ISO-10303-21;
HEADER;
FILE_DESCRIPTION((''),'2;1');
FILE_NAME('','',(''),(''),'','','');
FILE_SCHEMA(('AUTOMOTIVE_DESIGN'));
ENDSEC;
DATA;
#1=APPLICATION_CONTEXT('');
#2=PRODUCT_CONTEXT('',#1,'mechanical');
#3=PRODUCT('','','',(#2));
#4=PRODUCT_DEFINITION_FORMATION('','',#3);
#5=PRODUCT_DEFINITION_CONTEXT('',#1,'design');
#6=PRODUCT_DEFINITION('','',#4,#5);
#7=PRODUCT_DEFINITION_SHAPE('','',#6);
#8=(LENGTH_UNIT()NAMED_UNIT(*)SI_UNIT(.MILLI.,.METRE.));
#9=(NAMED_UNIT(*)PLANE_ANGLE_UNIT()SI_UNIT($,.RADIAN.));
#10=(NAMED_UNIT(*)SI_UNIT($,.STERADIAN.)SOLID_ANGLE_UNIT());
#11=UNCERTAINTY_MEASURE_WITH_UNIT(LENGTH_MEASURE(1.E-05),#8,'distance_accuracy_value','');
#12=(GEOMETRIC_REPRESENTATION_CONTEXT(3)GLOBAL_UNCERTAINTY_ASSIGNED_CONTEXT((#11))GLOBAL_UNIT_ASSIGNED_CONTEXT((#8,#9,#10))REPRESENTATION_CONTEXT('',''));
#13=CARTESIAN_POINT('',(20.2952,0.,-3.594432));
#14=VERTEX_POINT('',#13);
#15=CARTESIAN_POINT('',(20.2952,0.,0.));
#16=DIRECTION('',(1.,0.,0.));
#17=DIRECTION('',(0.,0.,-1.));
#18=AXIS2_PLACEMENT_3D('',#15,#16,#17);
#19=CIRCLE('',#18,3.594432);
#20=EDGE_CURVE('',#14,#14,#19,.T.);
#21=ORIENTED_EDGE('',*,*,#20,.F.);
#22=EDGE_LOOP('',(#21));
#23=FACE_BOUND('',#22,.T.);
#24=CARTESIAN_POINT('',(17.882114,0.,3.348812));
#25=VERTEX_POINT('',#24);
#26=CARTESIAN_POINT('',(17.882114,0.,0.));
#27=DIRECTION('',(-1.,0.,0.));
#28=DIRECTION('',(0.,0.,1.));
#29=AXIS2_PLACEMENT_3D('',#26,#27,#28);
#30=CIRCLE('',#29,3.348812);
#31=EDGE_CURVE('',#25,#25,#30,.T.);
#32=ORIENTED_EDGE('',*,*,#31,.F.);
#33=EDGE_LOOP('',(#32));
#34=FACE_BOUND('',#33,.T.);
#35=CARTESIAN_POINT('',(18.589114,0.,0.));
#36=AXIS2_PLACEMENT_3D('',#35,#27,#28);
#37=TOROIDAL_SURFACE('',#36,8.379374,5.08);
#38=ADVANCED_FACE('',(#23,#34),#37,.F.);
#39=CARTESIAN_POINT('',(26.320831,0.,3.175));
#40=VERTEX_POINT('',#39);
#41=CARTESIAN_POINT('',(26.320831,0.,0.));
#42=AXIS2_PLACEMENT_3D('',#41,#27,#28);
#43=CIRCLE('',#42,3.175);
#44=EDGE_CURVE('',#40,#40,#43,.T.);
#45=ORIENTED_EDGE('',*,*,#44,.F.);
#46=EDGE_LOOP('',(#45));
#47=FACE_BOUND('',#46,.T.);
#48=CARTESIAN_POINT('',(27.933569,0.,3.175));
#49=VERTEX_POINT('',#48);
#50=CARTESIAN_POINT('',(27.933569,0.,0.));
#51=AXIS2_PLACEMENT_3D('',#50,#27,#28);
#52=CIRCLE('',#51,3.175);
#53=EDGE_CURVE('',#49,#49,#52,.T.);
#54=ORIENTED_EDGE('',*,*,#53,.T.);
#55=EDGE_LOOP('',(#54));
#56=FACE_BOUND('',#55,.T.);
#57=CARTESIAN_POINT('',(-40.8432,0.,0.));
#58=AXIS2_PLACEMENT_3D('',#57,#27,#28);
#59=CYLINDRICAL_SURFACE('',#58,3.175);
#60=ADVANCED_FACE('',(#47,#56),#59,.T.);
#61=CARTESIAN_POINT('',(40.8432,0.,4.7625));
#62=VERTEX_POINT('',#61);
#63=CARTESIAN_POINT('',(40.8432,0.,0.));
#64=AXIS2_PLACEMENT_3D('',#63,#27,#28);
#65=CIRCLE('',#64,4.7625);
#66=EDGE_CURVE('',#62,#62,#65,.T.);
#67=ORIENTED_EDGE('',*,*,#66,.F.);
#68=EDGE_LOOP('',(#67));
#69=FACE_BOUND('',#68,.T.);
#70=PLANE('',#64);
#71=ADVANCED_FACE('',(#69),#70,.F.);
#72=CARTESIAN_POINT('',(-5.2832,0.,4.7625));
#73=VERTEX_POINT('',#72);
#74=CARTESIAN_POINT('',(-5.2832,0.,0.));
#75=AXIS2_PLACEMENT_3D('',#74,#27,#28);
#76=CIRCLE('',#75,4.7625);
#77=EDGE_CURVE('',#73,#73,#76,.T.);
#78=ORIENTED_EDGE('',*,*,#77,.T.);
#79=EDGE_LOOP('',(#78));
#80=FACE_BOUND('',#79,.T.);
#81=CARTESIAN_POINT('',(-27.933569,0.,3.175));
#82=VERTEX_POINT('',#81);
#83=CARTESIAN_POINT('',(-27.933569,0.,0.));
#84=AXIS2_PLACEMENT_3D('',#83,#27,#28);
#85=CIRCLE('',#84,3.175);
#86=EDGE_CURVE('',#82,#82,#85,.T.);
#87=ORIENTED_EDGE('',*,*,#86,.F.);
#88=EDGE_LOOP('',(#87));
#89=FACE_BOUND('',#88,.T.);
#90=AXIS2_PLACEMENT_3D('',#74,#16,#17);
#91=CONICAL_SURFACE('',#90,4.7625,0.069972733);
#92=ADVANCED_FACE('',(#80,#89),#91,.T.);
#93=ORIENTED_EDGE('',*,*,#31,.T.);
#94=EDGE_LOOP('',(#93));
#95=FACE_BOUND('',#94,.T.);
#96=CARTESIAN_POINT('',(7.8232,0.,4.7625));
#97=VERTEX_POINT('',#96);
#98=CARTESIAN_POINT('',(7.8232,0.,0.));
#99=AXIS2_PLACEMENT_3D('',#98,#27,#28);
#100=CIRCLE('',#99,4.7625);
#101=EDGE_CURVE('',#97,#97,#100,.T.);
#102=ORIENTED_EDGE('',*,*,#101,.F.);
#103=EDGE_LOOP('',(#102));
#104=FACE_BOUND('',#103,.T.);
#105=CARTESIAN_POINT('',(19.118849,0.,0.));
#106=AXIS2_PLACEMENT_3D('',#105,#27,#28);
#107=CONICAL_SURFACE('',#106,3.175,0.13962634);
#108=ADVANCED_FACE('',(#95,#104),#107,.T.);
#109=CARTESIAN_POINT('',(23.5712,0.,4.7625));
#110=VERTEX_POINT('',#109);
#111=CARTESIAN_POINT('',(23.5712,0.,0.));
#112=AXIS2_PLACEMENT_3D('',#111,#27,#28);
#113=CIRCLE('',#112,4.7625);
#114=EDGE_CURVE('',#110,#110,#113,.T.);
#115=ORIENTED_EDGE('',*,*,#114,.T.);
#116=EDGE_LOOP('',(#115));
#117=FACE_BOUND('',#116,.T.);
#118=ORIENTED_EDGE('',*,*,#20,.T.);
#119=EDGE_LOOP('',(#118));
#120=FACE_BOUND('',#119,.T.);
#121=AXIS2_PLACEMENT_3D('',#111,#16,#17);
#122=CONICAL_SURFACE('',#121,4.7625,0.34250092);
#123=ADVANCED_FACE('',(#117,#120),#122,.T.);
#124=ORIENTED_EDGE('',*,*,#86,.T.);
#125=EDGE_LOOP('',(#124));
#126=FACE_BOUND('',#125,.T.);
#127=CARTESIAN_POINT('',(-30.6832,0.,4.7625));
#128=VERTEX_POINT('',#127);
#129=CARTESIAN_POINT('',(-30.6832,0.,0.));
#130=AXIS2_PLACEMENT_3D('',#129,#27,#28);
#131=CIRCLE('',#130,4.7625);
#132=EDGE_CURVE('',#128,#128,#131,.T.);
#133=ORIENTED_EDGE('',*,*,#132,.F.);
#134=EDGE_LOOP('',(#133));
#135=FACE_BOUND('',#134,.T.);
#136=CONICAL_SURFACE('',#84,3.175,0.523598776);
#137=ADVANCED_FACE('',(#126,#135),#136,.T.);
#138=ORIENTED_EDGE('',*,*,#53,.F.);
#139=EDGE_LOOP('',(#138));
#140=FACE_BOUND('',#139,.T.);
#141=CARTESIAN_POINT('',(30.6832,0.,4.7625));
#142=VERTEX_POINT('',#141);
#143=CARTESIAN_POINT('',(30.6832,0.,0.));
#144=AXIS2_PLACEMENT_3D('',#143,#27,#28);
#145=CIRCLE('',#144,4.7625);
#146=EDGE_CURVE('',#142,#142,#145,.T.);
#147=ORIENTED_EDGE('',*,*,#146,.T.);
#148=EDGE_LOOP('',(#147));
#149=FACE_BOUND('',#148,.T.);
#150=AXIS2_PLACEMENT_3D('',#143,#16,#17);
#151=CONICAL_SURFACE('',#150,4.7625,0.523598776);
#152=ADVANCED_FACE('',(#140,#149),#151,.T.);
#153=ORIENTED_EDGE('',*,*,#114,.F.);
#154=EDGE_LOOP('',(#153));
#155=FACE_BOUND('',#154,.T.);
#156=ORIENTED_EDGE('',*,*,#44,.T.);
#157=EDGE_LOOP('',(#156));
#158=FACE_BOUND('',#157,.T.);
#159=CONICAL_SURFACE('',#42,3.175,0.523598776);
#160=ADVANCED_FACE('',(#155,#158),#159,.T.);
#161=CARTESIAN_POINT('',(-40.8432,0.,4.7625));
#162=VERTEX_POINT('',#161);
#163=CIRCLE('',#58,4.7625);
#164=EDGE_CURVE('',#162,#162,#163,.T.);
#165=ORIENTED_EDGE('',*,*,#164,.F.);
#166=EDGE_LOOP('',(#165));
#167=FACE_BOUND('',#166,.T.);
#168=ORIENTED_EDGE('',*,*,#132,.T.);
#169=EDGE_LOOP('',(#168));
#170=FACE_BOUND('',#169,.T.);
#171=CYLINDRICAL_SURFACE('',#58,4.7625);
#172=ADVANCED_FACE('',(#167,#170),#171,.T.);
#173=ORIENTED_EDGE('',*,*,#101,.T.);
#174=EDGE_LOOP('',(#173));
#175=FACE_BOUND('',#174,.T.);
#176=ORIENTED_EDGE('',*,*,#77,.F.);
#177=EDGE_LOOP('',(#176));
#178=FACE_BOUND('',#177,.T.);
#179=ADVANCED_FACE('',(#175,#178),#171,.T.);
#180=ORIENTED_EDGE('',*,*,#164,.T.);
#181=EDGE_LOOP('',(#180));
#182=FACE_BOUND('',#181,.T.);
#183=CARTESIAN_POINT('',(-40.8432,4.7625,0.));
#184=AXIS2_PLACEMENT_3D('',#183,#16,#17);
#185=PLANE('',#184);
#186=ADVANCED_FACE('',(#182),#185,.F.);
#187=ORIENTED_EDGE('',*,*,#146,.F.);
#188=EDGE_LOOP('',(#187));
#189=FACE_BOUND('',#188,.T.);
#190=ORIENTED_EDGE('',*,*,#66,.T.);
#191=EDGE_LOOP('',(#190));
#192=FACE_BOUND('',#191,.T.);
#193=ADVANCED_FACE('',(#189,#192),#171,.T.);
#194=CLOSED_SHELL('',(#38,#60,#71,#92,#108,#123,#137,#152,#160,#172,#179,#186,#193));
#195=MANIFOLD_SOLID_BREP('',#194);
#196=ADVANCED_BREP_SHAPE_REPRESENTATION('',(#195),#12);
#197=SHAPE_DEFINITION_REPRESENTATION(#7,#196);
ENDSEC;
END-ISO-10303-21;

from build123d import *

# Parameters (mm, degrees)
FILLET1_R = 5.08


with BuildPart() as part:
    # Sketch1 → Revolve1 (revolve)
    with BuildSketch(Plane.XY, mode=Mode.PRIVATE) as revolve1_sk:
        Polygon((-40.8432, 0), (40.8432, 0), (40.8432, 4.7625), (30.6832, 4.7625), (27.933569343, 3.175), (26.320830657, 3.175), (23.5712, 4.7625), (19.118849434, 3.175), (7.8232, 4.7625), (-5.2832, 4.7625), (-27.933569343, 3.175), (-30.6832, 4.7625), (-40.8432, 4.7625), align=None)
    revolve(revolve1_sk.sketch.rotate(Axis((-40.8432, 0, 0), (1, 0, 0)), 90), axis=Axis((-40.8432, 0, 0), (1, 0, 0)))

    # Fillet1
    fillet1_edges = [part.edges().sort_by_distance(p)[0] for p in [
        (19.118849434, 0, -3.175),
    ]]
    fillet(fillet1_edges, radius=FILLET1_R)


solid = part.part
